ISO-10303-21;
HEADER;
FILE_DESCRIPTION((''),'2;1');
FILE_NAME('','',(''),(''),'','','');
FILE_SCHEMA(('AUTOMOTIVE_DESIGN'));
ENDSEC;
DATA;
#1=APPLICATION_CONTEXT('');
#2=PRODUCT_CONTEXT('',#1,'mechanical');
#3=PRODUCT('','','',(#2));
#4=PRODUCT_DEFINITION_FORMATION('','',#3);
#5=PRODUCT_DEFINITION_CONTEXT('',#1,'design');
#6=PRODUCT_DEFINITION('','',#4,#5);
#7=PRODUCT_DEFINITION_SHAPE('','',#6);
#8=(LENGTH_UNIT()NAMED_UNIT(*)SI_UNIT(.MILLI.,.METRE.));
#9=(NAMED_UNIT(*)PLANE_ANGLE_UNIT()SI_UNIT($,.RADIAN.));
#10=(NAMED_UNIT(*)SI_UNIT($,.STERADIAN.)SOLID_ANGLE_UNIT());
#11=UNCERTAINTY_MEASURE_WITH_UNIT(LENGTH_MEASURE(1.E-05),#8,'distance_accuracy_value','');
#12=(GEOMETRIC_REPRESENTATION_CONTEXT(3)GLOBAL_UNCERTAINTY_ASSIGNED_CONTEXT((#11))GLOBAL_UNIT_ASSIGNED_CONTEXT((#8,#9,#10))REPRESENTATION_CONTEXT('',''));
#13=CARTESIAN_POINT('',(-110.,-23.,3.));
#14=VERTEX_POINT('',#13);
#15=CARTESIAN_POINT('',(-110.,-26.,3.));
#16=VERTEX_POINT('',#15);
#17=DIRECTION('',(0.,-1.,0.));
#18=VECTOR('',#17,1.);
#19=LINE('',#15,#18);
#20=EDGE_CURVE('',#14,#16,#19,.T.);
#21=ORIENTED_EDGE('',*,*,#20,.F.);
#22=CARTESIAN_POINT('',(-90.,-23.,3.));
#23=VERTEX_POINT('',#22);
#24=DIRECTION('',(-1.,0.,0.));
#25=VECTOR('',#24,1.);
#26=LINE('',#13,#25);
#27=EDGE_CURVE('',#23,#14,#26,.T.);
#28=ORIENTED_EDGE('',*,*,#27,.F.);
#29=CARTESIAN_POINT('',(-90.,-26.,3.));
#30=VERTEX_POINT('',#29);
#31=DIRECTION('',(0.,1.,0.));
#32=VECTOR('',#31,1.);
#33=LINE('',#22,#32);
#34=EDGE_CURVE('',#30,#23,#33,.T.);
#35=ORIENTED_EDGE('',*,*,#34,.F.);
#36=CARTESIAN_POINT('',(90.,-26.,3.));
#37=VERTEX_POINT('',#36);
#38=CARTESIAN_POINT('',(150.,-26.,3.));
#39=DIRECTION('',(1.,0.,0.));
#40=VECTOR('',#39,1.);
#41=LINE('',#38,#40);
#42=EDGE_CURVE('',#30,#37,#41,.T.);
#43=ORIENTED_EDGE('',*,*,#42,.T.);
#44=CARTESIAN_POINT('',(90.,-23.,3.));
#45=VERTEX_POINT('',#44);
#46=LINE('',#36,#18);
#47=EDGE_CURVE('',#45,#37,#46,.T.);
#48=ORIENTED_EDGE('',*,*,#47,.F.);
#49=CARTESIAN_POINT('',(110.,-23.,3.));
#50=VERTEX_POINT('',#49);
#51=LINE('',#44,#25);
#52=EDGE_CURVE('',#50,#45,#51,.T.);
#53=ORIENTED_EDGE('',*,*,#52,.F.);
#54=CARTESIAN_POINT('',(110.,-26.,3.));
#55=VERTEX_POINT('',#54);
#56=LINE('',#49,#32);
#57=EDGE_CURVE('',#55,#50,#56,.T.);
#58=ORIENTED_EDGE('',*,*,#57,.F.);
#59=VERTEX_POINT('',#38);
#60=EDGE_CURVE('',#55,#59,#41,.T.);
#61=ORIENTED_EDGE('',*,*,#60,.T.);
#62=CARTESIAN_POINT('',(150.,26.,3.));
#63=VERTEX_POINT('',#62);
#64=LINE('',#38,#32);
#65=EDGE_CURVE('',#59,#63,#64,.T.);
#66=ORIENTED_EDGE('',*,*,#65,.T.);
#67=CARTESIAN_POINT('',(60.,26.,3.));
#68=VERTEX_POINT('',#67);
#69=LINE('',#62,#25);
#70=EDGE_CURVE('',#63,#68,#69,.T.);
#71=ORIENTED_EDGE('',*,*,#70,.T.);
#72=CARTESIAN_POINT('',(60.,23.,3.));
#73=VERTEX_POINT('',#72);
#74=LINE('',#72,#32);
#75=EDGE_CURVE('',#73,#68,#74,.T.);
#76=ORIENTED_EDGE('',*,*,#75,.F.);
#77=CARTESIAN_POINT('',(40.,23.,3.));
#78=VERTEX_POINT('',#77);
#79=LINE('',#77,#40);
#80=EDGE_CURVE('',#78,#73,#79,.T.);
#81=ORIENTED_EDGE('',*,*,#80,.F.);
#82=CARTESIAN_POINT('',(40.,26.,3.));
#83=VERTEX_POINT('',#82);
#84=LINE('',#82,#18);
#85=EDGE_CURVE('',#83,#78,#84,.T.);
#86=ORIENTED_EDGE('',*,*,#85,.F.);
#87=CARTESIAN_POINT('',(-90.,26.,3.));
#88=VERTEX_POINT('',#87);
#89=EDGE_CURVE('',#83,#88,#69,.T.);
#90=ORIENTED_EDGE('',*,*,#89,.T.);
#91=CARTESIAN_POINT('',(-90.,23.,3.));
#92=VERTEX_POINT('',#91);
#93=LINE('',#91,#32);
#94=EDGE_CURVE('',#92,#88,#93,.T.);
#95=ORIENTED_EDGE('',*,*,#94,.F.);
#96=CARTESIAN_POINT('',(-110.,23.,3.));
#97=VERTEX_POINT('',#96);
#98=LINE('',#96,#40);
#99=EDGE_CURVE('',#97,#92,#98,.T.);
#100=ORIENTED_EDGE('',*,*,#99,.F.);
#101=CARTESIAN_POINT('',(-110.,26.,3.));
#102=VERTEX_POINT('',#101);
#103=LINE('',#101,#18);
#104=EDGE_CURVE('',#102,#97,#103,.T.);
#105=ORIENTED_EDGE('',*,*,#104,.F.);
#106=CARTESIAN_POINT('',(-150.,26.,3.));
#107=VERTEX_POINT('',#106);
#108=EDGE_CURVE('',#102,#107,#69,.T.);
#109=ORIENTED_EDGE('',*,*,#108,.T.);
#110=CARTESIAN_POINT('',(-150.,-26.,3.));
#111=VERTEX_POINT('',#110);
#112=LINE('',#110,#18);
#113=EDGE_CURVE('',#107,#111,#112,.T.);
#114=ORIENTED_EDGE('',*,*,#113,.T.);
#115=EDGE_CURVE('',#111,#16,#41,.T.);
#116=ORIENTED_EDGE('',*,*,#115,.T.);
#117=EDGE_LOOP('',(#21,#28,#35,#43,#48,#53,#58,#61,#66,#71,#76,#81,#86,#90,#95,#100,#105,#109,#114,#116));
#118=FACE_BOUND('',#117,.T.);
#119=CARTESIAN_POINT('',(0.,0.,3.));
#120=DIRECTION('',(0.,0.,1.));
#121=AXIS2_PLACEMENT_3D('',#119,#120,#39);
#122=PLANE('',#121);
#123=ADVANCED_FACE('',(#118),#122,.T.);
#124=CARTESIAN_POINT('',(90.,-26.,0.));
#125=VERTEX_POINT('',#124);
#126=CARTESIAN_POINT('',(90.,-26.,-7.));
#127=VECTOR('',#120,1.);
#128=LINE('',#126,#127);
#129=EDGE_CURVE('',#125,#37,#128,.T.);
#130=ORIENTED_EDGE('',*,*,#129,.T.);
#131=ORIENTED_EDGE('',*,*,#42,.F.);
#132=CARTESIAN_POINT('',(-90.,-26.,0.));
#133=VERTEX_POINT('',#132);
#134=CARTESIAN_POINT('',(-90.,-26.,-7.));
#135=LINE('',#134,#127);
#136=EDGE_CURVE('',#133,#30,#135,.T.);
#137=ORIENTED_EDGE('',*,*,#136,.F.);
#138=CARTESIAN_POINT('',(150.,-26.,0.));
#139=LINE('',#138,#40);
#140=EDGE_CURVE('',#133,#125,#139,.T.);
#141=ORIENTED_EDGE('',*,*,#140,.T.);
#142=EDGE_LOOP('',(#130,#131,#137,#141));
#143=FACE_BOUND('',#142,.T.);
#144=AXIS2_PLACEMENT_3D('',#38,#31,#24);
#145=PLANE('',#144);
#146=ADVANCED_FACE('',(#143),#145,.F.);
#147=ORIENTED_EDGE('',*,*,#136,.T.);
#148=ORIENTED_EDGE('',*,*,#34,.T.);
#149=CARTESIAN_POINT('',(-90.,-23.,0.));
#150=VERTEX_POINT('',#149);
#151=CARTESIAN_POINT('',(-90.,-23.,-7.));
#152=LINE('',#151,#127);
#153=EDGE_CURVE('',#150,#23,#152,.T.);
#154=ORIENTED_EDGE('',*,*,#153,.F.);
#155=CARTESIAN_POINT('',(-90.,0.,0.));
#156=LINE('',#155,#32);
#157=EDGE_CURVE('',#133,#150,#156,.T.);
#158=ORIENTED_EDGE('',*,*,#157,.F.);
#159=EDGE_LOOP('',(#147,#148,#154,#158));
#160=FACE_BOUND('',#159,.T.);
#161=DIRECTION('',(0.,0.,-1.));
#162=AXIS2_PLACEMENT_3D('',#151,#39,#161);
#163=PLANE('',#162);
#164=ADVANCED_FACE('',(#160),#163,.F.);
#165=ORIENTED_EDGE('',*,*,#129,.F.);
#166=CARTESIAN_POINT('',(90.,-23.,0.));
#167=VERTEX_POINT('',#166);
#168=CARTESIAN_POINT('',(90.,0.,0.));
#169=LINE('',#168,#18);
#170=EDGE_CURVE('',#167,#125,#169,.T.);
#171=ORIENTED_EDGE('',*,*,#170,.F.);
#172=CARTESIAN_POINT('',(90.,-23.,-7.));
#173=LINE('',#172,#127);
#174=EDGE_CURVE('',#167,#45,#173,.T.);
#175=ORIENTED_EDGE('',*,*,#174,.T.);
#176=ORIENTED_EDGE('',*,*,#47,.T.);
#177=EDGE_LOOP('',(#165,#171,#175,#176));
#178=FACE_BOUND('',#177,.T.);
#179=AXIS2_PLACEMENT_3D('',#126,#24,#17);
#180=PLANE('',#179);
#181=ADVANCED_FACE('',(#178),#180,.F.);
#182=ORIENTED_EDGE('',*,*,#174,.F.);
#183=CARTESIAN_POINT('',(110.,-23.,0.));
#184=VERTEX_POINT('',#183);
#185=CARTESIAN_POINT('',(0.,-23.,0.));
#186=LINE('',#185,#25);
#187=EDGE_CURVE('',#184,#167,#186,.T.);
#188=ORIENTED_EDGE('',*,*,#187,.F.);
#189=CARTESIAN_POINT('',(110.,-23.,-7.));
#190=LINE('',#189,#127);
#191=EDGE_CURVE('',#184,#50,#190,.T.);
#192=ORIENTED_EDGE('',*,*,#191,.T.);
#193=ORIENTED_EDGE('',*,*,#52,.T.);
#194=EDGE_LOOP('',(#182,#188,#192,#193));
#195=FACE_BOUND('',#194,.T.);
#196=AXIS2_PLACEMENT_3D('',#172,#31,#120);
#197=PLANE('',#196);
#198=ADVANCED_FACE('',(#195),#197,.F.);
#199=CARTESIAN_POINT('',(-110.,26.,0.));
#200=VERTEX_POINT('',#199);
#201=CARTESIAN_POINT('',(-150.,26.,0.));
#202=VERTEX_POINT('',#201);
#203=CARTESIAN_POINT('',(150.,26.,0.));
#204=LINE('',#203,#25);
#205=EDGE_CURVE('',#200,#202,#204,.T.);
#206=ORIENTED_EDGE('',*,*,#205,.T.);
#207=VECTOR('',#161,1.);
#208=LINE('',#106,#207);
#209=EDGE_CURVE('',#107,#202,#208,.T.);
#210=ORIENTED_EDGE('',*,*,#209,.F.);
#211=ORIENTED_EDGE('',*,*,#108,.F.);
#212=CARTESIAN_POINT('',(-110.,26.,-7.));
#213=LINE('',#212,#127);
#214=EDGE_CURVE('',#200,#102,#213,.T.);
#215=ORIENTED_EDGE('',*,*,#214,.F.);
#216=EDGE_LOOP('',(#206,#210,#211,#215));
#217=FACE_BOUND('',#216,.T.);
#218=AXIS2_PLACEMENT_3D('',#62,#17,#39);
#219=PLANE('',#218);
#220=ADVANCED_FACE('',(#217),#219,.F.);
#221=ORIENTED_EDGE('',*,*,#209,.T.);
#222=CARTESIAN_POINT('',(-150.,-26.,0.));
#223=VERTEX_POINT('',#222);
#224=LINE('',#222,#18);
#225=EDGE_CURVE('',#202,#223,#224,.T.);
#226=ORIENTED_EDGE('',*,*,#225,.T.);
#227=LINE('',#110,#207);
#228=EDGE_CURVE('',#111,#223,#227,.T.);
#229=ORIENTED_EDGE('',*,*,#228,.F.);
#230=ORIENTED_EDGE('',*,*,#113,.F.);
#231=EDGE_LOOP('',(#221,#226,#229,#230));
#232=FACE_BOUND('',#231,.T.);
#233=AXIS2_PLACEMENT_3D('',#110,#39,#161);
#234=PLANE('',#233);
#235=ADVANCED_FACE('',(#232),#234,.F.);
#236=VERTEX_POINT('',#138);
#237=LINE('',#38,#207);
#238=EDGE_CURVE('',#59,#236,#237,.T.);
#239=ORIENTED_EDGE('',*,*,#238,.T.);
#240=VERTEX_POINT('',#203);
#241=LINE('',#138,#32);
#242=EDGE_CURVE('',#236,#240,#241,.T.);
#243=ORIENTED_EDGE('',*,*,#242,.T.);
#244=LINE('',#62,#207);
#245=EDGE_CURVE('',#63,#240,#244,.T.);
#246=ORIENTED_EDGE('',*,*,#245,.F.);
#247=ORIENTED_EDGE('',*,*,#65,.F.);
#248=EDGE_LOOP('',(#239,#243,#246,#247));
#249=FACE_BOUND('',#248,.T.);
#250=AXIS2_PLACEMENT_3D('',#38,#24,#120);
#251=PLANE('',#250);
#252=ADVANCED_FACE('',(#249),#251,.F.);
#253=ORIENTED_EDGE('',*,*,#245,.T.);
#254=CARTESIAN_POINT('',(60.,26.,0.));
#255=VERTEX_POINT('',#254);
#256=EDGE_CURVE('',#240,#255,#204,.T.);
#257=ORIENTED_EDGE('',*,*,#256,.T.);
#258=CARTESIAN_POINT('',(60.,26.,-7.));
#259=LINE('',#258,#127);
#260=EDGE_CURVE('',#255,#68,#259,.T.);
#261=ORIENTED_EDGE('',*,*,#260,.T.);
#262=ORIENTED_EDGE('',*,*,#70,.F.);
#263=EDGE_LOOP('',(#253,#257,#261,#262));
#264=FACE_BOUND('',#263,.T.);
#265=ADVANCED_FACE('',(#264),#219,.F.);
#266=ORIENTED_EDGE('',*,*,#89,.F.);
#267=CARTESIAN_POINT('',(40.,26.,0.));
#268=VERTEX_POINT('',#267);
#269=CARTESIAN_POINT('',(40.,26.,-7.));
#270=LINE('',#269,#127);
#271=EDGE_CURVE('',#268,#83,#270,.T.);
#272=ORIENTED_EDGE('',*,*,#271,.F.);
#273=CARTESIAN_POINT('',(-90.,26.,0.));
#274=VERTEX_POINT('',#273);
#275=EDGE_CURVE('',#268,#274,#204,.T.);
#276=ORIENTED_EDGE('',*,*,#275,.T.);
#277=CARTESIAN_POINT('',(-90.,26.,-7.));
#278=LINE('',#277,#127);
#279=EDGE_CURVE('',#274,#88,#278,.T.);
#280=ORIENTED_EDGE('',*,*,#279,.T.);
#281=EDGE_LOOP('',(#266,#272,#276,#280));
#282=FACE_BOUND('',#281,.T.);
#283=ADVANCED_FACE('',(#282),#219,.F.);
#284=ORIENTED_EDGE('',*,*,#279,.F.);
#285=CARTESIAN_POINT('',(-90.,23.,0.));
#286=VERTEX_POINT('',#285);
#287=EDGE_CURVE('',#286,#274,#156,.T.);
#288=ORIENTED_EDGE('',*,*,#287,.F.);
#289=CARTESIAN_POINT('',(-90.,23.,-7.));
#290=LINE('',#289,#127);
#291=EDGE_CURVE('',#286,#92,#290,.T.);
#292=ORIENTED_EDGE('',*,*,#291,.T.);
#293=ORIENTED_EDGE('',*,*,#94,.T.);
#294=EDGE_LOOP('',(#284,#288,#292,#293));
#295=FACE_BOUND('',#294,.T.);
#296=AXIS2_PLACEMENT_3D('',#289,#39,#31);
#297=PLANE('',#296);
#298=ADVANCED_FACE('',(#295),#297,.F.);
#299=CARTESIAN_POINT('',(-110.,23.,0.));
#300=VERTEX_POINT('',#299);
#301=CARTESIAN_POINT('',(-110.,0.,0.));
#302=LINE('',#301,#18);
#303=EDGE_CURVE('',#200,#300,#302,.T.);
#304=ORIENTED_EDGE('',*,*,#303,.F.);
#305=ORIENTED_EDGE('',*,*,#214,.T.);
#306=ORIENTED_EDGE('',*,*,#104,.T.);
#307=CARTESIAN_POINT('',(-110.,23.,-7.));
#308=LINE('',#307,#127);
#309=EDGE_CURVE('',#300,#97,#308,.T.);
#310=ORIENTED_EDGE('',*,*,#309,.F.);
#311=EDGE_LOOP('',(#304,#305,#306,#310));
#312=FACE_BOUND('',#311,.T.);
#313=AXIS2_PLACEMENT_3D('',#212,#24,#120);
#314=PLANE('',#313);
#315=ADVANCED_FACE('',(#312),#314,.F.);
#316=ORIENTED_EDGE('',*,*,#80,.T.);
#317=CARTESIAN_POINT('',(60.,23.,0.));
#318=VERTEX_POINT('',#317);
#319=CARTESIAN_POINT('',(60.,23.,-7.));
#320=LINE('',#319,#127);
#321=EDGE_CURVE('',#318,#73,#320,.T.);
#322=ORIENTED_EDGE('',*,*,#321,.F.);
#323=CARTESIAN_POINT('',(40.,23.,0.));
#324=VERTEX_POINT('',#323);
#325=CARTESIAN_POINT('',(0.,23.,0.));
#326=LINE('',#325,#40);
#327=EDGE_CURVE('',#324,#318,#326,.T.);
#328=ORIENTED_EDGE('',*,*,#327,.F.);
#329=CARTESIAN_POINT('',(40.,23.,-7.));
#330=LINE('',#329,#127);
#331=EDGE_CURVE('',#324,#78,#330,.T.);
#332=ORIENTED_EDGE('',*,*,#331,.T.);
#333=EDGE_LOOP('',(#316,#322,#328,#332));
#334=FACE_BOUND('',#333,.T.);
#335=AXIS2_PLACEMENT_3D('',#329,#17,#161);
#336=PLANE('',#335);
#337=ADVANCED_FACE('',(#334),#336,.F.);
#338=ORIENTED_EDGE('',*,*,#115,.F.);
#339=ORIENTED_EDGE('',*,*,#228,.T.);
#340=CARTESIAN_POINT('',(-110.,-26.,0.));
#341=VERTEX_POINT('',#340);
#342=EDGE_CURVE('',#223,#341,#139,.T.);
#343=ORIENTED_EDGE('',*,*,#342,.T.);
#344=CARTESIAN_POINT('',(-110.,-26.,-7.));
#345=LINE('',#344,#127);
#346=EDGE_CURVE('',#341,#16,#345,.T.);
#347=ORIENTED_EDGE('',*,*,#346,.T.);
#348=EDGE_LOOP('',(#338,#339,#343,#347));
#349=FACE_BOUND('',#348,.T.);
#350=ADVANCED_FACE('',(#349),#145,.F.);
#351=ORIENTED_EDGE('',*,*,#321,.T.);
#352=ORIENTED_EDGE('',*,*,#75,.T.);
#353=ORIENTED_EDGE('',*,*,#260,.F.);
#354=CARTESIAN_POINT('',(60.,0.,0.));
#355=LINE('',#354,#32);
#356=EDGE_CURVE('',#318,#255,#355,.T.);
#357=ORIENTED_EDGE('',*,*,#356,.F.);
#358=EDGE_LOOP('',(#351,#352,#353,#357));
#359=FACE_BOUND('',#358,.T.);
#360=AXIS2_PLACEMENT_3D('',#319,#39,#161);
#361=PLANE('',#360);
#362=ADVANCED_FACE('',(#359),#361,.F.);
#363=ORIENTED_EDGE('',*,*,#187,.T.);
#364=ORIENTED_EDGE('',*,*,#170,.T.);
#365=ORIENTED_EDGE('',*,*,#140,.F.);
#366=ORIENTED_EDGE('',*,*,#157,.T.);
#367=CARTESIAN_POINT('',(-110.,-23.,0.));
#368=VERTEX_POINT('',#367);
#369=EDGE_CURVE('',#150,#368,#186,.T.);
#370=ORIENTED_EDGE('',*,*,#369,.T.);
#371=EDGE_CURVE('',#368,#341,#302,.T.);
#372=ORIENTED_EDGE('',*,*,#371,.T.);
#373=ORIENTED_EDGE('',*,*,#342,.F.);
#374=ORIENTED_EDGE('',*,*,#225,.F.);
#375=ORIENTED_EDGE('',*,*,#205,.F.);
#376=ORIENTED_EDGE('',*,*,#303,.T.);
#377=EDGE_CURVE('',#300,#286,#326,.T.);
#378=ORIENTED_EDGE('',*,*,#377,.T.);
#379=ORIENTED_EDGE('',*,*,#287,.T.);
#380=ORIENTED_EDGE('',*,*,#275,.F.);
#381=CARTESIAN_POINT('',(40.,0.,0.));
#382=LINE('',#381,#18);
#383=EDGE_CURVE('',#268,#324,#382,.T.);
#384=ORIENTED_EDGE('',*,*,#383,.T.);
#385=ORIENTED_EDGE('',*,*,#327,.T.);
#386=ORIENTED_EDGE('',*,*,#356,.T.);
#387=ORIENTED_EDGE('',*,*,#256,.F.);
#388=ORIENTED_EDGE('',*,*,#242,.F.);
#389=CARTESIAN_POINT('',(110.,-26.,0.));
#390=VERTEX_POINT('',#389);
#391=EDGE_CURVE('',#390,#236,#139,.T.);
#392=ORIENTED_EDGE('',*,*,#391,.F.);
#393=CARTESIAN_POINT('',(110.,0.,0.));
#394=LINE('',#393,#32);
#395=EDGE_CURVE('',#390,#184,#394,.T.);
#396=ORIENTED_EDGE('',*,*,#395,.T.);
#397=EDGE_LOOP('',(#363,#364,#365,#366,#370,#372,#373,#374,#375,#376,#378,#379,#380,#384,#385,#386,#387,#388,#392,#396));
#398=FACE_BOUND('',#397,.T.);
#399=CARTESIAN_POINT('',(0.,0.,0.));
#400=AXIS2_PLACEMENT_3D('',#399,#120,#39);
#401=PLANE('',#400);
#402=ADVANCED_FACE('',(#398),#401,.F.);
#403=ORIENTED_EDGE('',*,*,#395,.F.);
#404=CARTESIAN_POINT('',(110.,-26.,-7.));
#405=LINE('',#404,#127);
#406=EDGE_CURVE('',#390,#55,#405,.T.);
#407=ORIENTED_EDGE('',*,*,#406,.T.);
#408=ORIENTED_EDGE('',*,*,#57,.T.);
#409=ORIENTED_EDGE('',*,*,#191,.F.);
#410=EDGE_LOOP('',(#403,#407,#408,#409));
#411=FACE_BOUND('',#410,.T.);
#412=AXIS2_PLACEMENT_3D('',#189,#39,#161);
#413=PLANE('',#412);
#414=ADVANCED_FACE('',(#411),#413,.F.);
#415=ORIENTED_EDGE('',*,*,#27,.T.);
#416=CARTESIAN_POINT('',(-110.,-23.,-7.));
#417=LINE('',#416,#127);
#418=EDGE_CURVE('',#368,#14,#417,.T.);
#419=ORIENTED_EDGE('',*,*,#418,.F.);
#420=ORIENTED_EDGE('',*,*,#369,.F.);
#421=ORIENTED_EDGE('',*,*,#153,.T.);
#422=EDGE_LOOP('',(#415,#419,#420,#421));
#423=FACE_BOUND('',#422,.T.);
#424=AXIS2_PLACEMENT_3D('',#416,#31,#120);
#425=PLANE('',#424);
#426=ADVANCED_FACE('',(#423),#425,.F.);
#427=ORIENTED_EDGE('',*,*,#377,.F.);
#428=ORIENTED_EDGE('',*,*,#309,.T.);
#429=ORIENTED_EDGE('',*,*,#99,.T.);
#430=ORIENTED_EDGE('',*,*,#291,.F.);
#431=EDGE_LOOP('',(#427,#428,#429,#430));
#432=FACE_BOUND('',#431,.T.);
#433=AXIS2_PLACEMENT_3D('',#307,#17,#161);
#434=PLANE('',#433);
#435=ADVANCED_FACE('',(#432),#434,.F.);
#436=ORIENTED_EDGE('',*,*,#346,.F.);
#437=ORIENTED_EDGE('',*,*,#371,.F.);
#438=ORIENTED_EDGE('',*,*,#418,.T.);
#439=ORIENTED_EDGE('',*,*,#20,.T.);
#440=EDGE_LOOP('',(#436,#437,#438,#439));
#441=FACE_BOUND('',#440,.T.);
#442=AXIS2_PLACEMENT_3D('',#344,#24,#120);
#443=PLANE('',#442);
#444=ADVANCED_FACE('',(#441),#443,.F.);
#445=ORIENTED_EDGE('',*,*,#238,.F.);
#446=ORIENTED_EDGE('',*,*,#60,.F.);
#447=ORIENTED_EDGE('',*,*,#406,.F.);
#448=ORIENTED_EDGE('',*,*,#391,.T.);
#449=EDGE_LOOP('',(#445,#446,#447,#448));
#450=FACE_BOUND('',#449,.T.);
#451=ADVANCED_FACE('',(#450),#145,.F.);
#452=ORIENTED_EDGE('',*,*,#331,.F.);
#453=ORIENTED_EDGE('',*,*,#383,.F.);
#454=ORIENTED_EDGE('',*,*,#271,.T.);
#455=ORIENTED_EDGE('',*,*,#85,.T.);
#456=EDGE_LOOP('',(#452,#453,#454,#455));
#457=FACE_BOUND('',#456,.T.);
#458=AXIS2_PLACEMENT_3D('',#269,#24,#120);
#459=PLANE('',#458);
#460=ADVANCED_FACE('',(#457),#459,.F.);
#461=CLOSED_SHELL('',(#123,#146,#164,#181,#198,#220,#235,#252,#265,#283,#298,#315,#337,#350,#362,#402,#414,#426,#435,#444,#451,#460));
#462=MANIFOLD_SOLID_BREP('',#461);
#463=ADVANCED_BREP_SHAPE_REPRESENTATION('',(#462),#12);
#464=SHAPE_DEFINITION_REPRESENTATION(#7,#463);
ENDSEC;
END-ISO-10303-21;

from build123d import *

# Parameters (mm, degrees)
SKETCH1_W           = 300
SKETCH1_H           = 52
BOSS_EXTRUDE2_DEPTH = 3
SKETCH2_W           = 20
SKETCH2_H           = 3
CUT_EXTRUDE1_DEPTH  = 10
SKETCH3_W           = 20
SKETCH3_H           = 3
CUT_EXTRUDE4_DEPTH  = 10
SKETCH4_W           = 20
SKETCH4_H           = 3
CUT_EXTRUDE5_DEPTH  = 10


with BuildPart() as part:
    # Sketch1 → Boss-Extrude2 (new body)
    with BuildSketch(Plane.XY):
        Rectangle(SKETCH1_W, SKETCH1_H)
    extrude(amount=BOSS_EXTRUDE2_DEPTH)

    # Sketch2 → Cut-Extrude1 (cut)
    with BuildSketch(Plane.XY.offset(3)):
        with Locations((-100, 24.5)):
            Rectangle(SKETCH2_W, SKETCH2_H)
    extrude(amount=-CUT_EXTRUDE1_DEPTH, mode=Mode.SUBTRACT)

    # Sketch3 → Cut-Extrude4 (cut)
    with BuildSketch(Plane.XY.offset(3)):
        with Locations((-100, -24.5)):
            Rectangle(SKETCH3_W, SKETCH3_H)
        with Locations((100, -24.5)):
            Rectangle(SKETCH3_W, SKETCH3_H)
    extrude(amount=-CUT_EXTRUDE4_DEPTH, mode=Mode.SUBTRACT)

    # Sketch4 → Cut-Extrude5 (cut)
    with BuildSketch(Plane.XY.offset(3)):
        with Locations((50, 24.5)):
            Rectangle(SKETCH4_W, SKETCH4_H)
    extrude(amount=-CUT_EXTRUDE5_DEPTH, mode=Mode.SUBTRACT)


solid = part.part
